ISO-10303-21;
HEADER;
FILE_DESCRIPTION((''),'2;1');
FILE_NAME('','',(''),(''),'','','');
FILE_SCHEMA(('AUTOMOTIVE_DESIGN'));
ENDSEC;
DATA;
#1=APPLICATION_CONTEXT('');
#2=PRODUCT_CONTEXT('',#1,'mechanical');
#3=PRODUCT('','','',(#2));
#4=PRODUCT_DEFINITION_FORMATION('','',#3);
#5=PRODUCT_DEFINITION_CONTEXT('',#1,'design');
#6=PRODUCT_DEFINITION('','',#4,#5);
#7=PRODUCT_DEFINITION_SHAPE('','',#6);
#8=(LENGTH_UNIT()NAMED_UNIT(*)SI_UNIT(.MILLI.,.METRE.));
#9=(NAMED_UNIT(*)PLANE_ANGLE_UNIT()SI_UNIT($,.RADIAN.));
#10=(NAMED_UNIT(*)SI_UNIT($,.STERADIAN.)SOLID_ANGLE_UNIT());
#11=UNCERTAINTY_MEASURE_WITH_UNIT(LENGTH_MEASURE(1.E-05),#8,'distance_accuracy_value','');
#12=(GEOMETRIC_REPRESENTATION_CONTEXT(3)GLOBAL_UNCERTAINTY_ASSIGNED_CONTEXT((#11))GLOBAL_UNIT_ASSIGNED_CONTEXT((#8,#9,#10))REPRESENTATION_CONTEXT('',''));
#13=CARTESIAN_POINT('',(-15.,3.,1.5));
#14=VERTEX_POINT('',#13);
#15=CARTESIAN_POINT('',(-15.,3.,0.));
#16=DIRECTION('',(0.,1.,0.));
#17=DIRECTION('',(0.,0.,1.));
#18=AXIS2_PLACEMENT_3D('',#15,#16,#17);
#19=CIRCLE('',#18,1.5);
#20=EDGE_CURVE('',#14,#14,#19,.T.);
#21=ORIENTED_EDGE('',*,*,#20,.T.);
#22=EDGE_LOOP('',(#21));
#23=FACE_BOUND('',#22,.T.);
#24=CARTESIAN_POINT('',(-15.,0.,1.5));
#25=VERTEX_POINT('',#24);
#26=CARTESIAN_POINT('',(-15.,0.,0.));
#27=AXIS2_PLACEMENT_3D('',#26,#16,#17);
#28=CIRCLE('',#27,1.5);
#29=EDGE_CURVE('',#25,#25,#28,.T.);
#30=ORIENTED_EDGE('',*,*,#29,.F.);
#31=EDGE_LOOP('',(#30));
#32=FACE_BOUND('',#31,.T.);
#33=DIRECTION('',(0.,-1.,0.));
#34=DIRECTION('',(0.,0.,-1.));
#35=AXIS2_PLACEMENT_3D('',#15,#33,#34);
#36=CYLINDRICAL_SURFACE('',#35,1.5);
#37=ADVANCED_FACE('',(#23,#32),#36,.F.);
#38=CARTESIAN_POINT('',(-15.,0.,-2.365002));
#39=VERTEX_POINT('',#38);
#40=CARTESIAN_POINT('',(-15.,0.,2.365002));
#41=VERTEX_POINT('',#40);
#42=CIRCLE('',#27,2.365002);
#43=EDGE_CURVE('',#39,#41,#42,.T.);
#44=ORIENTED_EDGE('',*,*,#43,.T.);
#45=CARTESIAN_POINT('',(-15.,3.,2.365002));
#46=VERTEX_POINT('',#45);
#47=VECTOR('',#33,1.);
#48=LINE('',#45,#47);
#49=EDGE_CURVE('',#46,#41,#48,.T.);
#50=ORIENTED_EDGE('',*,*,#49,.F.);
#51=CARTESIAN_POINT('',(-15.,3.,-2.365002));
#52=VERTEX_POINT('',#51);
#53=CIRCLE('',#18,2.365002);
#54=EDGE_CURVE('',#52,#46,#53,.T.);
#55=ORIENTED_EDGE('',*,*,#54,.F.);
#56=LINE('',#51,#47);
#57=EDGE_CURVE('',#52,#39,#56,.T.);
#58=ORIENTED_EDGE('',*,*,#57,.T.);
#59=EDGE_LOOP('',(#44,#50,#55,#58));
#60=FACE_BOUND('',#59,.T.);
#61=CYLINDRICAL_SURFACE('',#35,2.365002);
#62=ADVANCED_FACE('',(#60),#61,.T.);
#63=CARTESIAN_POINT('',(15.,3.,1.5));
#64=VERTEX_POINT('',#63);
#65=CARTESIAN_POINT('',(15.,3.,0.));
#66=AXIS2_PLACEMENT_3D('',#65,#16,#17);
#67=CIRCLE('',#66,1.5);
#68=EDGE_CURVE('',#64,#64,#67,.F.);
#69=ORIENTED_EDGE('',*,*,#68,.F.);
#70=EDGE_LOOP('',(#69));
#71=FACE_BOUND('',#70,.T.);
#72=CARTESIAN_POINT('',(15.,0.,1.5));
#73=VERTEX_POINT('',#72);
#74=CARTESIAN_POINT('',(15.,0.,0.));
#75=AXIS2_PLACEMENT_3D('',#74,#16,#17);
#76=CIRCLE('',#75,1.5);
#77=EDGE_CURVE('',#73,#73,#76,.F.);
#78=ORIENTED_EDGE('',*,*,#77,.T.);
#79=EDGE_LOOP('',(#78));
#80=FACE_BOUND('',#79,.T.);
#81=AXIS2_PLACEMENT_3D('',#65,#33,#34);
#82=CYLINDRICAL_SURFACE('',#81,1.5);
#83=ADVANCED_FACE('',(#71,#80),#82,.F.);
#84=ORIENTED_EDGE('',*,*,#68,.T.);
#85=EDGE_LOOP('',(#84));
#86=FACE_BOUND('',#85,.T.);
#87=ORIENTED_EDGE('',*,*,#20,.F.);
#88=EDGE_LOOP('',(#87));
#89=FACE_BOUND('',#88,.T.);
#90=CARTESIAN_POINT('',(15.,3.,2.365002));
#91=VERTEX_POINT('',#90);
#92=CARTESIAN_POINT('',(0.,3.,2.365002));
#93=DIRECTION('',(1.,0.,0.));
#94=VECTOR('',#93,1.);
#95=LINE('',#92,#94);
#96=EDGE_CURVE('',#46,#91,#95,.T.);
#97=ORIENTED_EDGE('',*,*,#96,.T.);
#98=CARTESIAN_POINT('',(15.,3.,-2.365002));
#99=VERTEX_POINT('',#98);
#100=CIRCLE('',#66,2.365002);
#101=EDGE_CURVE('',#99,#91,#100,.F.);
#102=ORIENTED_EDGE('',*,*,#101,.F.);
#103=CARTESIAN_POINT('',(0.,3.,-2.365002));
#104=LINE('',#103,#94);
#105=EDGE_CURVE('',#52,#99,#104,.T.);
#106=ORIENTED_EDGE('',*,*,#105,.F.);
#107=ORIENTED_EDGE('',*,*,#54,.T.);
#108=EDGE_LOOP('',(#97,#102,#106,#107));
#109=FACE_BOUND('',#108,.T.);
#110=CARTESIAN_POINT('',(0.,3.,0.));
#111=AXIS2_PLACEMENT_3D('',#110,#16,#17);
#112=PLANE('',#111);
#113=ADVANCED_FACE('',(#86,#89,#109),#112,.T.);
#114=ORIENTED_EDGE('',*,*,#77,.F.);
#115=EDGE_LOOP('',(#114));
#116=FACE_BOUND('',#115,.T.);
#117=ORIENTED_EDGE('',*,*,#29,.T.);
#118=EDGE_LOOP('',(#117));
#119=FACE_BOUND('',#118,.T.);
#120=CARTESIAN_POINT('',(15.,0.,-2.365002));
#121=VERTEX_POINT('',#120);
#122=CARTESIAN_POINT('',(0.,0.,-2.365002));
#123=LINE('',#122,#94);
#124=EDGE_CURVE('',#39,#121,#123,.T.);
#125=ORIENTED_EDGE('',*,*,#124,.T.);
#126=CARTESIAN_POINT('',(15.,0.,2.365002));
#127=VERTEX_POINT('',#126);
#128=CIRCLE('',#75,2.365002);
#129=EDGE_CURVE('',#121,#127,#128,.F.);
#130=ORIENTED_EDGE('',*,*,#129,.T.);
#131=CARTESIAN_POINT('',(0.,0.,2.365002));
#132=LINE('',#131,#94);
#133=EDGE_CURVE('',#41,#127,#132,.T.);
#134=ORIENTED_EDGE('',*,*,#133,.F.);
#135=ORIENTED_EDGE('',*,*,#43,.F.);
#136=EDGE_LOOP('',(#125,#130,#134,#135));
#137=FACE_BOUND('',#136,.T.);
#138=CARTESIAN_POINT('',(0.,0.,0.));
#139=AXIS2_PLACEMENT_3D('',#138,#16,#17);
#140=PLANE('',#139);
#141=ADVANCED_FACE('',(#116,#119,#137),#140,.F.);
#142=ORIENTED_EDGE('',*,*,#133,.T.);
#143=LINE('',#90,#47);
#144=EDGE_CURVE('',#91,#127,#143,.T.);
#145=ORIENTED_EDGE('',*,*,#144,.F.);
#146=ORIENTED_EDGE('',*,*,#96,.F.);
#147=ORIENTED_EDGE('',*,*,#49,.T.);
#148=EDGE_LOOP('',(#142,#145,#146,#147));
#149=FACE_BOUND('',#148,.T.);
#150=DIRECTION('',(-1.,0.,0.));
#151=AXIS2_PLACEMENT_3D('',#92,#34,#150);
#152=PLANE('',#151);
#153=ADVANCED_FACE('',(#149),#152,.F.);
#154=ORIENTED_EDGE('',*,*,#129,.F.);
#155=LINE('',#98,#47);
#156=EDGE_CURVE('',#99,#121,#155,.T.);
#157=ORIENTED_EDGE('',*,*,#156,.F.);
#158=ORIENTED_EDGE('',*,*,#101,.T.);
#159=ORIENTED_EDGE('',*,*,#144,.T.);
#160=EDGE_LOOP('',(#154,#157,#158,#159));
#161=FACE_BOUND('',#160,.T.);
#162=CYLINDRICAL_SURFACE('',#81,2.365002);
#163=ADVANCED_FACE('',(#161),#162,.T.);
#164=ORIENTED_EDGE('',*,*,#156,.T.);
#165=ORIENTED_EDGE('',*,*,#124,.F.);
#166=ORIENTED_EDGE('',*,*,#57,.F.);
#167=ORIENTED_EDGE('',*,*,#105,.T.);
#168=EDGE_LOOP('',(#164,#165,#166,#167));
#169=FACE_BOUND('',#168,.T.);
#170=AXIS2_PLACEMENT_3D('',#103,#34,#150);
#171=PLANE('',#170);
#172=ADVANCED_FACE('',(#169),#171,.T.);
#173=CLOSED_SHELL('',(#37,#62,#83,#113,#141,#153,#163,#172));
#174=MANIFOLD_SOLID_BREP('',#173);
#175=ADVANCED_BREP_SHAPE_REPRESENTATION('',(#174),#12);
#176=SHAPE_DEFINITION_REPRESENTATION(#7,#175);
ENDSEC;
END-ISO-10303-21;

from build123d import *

# Parameters (mm, degrees)
SKETCH1_R           = 1.5
BOSS_EXTRUDE1_DEPTH = 3


with BuildPart() as part:
    # Sketch1 → Boss-Extrude1 (new body)
    with BuildSketch(Plane(origin=(0, 0, 0), x_dir=(1, 0, 0), z_dir=(0, 1, 0))):
        with BuildLine():
            Line((-15, -2.365001907), (15, -2.365001907))
            ThreePointArc((15, -2.365001907), (17.365001907, 0), (15, 2.365001907))
            Line((15, 2.365001907), (-15, 2.365001907))
            ThreePointArc((-15, 2.365001907), (-17.365001907, 0), (-15, -2.365001907))
        make_face()
        with Locations((15, 0)):
            Circle(SKETCH1_R, mode=Mode.SUBTRACT)
        with Locations((-15, 0)):
            Circle(SKETCH1_R, mode=Mode.SUBTRACT)
    extrude(amount=BOSS_EXTRUDE1_DEPTH)


solid = part.part
